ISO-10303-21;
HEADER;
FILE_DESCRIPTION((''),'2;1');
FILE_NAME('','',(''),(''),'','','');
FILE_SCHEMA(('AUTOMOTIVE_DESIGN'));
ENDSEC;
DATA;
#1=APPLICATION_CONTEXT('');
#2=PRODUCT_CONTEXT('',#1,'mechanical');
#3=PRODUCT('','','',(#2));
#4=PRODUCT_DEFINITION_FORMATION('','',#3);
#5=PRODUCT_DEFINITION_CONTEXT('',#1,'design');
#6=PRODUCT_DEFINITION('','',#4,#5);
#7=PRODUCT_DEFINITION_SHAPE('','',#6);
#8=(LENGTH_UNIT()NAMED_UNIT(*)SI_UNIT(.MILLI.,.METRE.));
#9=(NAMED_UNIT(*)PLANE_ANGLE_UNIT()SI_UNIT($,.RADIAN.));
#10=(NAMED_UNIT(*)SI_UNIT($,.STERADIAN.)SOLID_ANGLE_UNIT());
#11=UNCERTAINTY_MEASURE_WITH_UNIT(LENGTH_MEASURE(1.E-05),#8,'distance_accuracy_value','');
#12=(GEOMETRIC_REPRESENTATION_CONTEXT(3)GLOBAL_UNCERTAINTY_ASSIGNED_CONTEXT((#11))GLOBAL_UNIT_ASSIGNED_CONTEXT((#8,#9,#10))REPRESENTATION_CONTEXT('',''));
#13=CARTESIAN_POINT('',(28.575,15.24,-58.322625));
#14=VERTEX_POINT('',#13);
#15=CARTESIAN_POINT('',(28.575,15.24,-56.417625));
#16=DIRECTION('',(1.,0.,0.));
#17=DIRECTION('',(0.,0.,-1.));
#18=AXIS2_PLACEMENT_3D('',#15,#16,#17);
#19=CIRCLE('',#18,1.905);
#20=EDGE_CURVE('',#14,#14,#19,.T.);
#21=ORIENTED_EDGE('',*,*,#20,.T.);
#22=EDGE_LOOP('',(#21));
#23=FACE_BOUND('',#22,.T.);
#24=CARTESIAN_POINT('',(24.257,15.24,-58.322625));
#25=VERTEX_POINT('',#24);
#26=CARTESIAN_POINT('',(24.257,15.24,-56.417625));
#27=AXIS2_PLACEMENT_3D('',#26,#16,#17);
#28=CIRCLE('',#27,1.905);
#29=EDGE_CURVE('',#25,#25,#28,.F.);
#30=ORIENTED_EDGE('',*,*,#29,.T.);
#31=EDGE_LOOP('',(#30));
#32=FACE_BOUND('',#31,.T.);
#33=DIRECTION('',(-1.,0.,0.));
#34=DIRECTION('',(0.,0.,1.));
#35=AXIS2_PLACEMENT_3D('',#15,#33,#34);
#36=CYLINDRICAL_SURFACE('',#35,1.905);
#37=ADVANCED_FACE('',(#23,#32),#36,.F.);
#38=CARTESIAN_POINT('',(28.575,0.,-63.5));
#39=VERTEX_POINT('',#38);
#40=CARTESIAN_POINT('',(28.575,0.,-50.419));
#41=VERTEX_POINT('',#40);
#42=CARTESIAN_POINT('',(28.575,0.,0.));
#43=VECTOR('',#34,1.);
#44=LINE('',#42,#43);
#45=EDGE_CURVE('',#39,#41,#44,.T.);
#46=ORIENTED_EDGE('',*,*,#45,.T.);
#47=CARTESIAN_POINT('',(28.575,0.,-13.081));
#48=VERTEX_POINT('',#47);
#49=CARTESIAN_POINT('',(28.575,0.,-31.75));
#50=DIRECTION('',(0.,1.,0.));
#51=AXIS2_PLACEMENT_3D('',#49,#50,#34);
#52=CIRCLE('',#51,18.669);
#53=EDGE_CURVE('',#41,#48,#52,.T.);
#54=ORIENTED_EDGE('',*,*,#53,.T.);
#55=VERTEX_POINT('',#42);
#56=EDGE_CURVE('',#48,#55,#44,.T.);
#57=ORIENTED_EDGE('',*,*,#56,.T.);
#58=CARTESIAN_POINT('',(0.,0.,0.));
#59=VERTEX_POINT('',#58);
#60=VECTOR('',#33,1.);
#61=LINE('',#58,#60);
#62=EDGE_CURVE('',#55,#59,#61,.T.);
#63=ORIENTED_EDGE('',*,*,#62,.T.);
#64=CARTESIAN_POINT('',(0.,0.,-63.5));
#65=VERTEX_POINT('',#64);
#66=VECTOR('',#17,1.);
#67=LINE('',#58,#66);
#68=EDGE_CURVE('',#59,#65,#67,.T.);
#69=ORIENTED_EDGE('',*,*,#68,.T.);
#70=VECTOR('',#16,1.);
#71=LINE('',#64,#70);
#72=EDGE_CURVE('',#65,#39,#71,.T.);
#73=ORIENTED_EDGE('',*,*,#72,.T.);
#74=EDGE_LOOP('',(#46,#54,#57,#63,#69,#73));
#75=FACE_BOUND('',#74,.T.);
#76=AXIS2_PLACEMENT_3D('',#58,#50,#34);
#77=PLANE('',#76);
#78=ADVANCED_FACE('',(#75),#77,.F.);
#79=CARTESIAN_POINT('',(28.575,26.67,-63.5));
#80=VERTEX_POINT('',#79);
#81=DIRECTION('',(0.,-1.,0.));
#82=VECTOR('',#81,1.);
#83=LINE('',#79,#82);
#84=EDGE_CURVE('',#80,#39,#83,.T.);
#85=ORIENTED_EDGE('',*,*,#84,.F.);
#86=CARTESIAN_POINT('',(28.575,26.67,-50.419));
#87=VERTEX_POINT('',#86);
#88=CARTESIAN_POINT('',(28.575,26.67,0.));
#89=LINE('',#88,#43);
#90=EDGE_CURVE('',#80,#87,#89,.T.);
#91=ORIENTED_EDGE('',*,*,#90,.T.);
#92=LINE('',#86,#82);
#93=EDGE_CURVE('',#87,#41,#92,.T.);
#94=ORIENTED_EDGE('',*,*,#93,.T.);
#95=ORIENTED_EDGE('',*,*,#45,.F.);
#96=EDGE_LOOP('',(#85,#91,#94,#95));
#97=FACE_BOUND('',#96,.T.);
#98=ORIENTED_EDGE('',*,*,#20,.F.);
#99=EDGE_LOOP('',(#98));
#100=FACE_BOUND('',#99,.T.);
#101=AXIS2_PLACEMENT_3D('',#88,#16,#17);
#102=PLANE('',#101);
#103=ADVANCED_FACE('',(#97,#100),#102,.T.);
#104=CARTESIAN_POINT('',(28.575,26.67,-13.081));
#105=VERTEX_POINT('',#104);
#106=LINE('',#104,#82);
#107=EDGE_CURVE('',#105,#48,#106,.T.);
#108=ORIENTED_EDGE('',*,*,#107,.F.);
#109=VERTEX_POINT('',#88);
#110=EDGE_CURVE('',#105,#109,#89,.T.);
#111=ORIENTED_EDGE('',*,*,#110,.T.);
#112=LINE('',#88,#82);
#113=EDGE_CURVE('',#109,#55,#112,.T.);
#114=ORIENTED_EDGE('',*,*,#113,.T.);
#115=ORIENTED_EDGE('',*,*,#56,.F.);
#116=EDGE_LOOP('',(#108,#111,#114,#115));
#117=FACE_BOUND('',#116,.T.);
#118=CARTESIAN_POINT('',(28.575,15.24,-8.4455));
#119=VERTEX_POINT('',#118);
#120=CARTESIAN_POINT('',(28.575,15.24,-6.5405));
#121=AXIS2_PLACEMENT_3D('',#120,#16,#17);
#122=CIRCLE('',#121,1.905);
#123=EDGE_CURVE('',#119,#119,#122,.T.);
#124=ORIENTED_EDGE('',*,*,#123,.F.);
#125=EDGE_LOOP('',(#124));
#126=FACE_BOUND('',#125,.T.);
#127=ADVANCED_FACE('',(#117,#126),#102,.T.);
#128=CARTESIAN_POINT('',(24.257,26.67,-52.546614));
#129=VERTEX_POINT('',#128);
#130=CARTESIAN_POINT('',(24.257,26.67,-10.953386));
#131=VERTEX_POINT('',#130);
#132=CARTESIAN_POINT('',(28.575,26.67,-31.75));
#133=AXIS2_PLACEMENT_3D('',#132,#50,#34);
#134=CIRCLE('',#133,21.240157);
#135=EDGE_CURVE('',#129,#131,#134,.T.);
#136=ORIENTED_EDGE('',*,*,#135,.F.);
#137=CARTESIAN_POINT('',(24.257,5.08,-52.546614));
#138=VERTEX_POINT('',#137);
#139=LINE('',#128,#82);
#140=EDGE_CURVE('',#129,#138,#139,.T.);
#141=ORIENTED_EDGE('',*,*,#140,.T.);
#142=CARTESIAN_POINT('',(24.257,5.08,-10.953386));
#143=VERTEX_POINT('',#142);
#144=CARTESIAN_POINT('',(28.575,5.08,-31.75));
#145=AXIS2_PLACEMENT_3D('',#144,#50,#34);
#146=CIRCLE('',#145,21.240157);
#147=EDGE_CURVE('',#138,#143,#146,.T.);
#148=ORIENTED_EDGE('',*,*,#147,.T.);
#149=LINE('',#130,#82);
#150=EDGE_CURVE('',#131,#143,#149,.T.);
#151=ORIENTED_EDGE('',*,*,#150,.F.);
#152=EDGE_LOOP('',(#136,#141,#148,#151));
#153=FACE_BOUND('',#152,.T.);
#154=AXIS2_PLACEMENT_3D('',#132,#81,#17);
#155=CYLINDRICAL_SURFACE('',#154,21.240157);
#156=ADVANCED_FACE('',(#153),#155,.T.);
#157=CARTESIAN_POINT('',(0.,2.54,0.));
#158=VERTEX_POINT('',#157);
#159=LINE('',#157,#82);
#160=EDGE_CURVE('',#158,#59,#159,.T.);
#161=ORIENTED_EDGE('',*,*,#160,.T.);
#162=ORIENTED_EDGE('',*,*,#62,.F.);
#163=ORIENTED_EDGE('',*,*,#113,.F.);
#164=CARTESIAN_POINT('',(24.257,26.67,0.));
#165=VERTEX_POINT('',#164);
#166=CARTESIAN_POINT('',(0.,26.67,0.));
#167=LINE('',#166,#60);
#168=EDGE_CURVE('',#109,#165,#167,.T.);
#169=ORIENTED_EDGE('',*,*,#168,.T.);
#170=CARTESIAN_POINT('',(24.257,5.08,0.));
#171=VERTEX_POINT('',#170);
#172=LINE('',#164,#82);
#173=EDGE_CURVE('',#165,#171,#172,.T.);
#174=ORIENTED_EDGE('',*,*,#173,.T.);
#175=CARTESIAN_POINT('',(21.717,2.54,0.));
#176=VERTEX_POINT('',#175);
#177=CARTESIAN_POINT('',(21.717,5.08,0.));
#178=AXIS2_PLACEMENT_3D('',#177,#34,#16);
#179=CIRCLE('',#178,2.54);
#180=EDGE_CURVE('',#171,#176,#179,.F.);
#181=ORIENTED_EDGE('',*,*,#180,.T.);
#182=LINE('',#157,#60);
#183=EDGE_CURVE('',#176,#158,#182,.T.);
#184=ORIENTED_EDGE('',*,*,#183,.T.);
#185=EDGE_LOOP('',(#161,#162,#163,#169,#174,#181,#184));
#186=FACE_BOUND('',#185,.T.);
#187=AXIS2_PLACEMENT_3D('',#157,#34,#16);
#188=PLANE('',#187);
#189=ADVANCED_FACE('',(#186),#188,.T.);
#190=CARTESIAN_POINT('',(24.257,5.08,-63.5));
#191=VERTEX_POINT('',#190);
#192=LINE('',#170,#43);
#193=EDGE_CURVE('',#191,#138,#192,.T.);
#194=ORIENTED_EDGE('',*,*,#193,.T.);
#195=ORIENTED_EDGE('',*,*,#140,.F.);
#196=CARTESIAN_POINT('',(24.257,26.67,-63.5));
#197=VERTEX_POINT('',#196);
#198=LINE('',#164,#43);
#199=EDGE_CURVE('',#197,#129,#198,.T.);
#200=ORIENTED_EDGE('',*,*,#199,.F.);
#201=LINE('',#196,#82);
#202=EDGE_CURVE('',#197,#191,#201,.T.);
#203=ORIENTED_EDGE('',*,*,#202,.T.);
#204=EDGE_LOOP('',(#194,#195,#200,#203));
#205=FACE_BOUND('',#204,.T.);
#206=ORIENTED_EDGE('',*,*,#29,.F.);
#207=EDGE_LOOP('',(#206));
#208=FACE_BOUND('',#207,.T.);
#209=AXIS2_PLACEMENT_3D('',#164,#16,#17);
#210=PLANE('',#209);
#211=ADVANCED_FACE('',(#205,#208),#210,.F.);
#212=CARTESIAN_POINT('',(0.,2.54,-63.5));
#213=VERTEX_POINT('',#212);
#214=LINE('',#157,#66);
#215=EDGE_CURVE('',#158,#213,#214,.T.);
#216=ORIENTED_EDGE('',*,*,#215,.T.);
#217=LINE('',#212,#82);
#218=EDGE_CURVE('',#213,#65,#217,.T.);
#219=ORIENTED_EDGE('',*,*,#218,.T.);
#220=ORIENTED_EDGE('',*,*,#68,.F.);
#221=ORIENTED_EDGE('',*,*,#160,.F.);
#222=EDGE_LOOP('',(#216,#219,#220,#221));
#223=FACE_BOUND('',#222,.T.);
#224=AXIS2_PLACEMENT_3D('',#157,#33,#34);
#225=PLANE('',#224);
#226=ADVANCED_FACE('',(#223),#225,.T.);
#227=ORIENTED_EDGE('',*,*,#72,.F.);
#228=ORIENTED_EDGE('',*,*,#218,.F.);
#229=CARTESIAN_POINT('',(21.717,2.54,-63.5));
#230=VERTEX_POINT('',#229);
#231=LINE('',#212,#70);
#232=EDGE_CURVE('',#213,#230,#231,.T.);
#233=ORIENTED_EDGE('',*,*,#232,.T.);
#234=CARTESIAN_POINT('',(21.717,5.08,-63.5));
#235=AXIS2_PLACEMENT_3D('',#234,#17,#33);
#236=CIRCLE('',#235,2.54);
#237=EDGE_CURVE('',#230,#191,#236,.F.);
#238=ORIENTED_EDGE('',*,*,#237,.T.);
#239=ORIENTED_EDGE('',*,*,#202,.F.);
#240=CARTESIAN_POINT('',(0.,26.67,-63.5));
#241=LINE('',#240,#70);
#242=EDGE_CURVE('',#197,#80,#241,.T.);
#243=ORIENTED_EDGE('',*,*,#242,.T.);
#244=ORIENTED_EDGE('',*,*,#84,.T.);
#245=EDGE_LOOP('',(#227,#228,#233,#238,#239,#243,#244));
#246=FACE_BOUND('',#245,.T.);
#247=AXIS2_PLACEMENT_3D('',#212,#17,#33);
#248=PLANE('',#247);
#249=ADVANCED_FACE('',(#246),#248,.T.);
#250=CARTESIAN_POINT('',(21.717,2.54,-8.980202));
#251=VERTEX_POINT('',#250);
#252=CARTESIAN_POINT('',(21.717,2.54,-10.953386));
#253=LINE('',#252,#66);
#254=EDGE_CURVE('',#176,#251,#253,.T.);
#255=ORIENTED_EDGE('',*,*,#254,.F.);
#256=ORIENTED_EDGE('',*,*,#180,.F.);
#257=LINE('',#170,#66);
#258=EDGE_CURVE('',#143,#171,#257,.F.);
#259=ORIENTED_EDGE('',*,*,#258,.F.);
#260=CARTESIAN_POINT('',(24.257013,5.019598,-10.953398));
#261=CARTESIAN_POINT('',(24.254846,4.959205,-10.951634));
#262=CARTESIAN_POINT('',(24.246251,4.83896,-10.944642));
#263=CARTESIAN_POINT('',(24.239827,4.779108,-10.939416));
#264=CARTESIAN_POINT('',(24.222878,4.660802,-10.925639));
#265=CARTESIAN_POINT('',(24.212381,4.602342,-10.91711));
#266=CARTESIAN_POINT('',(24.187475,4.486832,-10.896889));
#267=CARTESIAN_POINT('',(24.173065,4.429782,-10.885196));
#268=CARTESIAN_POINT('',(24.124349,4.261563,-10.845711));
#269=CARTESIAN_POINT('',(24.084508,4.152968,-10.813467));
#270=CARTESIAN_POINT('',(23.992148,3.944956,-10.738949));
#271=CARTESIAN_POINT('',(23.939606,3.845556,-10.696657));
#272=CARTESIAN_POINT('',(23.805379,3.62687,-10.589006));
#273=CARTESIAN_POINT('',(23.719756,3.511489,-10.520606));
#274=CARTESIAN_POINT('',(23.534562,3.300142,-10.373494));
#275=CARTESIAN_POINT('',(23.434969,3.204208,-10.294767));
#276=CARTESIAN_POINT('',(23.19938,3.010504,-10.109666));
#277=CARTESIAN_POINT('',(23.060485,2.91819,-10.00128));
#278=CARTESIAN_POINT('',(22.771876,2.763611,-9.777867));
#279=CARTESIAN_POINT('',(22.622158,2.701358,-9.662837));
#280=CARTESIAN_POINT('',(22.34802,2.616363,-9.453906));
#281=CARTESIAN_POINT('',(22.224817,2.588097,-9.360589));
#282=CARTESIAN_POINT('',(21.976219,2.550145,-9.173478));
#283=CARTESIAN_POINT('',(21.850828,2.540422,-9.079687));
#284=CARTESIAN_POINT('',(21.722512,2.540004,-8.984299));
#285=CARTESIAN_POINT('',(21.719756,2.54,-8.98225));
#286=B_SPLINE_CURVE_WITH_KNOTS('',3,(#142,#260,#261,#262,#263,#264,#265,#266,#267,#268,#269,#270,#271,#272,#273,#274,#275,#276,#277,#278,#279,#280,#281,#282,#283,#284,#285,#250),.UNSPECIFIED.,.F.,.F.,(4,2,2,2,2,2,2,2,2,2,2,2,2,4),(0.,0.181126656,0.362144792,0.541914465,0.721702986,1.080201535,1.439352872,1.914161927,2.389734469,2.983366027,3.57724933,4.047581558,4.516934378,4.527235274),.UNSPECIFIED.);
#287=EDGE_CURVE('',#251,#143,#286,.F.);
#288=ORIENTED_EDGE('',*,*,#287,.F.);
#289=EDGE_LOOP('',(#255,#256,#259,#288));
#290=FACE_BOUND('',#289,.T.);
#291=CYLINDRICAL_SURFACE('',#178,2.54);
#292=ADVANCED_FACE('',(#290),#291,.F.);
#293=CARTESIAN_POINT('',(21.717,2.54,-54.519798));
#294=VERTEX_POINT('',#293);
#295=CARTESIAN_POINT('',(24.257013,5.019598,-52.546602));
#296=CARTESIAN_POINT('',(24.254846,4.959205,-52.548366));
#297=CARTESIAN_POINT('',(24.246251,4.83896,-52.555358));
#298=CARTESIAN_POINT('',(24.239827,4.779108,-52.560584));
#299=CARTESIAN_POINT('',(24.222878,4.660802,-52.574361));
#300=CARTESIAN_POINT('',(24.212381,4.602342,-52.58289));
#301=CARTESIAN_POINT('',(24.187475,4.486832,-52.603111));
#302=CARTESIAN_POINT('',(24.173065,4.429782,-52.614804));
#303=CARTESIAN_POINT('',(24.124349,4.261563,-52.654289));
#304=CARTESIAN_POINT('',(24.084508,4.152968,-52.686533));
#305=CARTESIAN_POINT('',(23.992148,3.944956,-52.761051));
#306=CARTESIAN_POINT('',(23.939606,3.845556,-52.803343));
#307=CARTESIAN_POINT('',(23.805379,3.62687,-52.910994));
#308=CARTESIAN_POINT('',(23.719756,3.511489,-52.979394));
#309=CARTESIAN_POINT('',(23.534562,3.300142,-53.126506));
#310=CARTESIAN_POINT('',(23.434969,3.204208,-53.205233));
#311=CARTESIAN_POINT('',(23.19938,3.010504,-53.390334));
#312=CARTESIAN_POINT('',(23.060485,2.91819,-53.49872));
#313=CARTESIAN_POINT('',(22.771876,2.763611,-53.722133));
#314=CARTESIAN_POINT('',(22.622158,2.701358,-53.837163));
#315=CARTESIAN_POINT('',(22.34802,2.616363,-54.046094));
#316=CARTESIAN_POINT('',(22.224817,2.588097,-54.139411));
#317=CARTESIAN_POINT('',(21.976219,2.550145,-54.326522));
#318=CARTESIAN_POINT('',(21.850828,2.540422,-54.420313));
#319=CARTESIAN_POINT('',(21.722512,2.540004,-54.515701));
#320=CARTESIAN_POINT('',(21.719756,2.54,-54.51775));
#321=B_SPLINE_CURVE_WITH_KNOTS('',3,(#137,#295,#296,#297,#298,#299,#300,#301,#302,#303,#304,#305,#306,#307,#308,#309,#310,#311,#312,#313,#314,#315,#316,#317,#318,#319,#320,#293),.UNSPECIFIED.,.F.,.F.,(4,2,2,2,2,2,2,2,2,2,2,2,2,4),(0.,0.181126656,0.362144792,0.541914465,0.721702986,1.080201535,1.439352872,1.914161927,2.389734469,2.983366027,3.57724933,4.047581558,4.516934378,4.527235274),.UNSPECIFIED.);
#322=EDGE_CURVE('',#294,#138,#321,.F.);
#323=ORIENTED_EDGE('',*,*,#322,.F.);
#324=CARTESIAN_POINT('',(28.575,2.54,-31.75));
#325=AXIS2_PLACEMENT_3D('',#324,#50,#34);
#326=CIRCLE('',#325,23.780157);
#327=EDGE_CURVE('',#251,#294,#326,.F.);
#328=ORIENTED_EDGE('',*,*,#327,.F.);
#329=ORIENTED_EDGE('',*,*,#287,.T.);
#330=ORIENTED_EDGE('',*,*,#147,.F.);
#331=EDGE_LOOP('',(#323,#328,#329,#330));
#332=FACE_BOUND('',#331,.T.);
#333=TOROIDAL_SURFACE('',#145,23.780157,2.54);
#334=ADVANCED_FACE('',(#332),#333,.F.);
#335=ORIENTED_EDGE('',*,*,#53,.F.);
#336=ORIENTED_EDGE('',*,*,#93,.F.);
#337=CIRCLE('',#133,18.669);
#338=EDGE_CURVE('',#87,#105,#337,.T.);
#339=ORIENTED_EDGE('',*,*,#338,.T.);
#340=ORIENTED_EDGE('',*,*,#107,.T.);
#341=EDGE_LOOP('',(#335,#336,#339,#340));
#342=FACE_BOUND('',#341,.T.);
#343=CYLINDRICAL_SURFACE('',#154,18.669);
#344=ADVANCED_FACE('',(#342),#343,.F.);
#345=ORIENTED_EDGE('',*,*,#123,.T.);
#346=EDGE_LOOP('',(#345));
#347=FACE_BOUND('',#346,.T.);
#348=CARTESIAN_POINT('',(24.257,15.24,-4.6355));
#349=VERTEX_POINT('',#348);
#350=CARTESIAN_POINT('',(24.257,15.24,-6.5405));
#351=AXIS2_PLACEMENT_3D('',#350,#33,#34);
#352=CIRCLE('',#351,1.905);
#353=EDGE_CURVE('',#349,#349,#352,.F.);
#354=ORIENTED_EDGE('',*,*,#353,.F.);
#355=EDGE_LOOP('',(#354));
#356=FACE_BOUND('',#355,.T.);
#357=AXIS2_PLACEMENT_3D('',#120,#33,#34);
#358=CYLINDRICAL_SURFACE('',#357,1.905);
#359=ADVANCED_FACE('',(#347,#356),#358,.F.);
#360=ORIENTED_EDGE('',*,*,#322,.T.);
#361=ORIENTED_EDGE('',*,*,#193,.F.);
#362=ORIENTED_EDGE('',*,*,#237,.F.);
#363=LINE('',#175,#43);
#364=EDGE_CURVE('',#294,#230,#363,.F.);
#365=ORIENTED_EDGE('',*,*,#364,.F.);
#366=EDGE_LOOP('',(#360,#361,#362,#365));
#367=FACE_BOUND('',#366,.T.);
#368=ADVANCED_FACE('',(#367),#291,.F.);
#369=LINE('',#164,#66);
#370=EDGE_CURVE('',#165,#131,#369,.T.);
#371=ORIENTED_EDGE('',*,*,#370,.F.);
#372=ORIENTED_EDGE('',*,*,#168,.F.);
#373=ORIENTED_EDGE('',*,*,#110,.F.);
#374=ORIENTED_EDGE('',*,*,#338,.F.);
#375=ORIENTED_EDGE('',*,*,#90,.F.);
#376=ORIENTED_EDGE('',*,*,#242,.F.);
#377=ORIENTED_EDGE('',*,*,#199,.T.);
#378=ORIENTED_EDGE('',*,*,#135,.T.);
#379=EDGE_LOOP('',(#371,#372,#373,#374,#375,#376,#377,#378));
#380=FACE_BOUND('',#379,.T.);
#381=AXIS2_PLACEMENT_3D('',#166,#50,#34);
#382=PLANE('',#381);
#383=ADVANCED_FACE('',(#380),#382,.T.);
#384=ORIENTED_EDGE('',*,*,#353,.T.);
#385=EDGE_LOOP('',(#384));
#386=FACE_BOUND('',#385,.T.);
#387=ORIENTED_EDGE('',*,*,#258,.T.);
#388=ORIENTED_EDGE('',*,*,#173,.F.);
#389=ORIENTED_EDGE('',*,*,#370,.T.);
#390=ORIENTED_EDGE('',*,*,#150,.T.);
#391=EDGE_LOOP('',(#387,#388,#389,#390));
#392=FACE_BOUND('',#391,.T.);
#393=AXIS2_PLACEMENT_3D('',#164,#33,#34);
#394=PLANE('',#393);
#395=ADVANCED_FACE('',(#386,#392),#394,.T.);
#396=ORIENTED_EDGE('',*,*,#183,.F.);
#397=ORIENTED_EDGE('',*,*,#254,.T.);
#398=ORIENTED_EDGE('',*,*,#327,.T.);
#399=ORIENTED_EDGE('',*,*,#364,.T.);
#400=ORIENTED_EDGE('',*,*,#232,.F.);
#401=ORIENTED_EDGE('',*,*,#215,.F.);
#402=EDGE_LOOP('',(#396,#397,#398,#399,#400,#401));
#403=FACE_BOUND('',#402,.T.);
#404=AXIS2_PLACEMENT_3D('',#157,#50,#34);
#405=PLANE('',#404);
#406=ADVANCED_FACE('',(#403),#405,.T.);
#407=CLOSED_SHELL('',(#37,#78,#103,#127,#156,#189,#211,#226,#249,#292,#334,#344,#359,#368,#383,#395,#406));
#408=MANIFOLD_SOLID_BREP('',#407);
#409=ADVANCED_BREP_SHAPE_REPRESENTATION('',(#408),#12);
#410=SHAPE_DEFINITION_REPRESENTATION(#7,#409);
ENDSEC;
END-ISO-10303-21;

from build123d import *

# Parameters (mm, degrees)
BOSS_EXTRUDE14_DEPTH = 2.54
BOSS_EXTRUDE15_DEPTH = 26.67
SKETCH5_R            = 1.905
CUT_EXTRUDE12_DEPTH  = 29.575
FILLET3_R            = 2.54


with BuildPart() as part:
    # Sketch3 → Boss-Extrude14 (new body)
    with BuildSketch(Plane(origin=(0, 0, 0), x_dir=(1, 0, 0), z_dir=(0, 1, 0))):
        with BuildLine():
            Line((0, 63.5), (0, 0))
            Line((0, 0), (24.257, 0))
            Line((24.257, 0), (24.257, 10.953386454))
            ThreePointArc((24.257, 10.953386454), (7.334843244, 31.75), (24.257, 52.546613546))
            Line((24.257, 52.546613546), (24.257, 63.5))
            Line((24.257, 63.5), (0, 63.5))
        make_face()
    extrude(amount=BOSS_EXTRUDE14_DEPTH)

    # Sketch3<18> → Boss-Extrude15 (add)
    with BuildSketch(Plane(origin=(0, 0, 0), x_dir=(1, 0, 0), z_dir=(0, 1, 0))):
        with BuildLine():
            Line((24.257, 10.953386454), (24.257, 0))
            Line((24.257, 0), (28.575, 0))
            Line((28.575, 0), (28.575, 13.081))
            ThreePointArc((28.575, 13.081), (9.906, 31.75), (28.575, 50.419))
            Line((28.575, 50.419), (28.575, 63.5))
            Line((28.575, 63.5), (24.257, 63.5))
            Line((24.257, 63.5), (24.257, 52.546613546))
            ThreePointArc((24.257, 52.546613546), (7.334843244, 31.75), (24.257, 10.953386454))
        make_face()
    extrude(amount=BOSS_EXTRUDE15_DEPTH)

    # Sketch5 → Cut-Extrude12 (cut, through all)
    with BuildSketch(Plane(origin=(0, 0, 0), x_dir=(0, 0, -1), z_dir=(1, 0, 0))):
        with Locations((6.5405, 15.24)):
            Circle(SKETCH5_R)
        with Locations((56.41762459, 15.24)):
            Circle(SKETCH5_R)
    extrude(amount=CUT_EXTRUDE12_DEPTH, mode=Mode.SUBTRACT)

    # Fillet3
    fillet3_edges = [part.edges().sort_by_distance(p)[0] for p in [
        (24.257, 2.54, -58.023306773),
        (24.257, 2.54, -5.476693227),
        (7.334843244, 2.54, -31.75),
    ]]
    fillet(fillet3_edges, radius=FILLET3_R)


solid = part.part
